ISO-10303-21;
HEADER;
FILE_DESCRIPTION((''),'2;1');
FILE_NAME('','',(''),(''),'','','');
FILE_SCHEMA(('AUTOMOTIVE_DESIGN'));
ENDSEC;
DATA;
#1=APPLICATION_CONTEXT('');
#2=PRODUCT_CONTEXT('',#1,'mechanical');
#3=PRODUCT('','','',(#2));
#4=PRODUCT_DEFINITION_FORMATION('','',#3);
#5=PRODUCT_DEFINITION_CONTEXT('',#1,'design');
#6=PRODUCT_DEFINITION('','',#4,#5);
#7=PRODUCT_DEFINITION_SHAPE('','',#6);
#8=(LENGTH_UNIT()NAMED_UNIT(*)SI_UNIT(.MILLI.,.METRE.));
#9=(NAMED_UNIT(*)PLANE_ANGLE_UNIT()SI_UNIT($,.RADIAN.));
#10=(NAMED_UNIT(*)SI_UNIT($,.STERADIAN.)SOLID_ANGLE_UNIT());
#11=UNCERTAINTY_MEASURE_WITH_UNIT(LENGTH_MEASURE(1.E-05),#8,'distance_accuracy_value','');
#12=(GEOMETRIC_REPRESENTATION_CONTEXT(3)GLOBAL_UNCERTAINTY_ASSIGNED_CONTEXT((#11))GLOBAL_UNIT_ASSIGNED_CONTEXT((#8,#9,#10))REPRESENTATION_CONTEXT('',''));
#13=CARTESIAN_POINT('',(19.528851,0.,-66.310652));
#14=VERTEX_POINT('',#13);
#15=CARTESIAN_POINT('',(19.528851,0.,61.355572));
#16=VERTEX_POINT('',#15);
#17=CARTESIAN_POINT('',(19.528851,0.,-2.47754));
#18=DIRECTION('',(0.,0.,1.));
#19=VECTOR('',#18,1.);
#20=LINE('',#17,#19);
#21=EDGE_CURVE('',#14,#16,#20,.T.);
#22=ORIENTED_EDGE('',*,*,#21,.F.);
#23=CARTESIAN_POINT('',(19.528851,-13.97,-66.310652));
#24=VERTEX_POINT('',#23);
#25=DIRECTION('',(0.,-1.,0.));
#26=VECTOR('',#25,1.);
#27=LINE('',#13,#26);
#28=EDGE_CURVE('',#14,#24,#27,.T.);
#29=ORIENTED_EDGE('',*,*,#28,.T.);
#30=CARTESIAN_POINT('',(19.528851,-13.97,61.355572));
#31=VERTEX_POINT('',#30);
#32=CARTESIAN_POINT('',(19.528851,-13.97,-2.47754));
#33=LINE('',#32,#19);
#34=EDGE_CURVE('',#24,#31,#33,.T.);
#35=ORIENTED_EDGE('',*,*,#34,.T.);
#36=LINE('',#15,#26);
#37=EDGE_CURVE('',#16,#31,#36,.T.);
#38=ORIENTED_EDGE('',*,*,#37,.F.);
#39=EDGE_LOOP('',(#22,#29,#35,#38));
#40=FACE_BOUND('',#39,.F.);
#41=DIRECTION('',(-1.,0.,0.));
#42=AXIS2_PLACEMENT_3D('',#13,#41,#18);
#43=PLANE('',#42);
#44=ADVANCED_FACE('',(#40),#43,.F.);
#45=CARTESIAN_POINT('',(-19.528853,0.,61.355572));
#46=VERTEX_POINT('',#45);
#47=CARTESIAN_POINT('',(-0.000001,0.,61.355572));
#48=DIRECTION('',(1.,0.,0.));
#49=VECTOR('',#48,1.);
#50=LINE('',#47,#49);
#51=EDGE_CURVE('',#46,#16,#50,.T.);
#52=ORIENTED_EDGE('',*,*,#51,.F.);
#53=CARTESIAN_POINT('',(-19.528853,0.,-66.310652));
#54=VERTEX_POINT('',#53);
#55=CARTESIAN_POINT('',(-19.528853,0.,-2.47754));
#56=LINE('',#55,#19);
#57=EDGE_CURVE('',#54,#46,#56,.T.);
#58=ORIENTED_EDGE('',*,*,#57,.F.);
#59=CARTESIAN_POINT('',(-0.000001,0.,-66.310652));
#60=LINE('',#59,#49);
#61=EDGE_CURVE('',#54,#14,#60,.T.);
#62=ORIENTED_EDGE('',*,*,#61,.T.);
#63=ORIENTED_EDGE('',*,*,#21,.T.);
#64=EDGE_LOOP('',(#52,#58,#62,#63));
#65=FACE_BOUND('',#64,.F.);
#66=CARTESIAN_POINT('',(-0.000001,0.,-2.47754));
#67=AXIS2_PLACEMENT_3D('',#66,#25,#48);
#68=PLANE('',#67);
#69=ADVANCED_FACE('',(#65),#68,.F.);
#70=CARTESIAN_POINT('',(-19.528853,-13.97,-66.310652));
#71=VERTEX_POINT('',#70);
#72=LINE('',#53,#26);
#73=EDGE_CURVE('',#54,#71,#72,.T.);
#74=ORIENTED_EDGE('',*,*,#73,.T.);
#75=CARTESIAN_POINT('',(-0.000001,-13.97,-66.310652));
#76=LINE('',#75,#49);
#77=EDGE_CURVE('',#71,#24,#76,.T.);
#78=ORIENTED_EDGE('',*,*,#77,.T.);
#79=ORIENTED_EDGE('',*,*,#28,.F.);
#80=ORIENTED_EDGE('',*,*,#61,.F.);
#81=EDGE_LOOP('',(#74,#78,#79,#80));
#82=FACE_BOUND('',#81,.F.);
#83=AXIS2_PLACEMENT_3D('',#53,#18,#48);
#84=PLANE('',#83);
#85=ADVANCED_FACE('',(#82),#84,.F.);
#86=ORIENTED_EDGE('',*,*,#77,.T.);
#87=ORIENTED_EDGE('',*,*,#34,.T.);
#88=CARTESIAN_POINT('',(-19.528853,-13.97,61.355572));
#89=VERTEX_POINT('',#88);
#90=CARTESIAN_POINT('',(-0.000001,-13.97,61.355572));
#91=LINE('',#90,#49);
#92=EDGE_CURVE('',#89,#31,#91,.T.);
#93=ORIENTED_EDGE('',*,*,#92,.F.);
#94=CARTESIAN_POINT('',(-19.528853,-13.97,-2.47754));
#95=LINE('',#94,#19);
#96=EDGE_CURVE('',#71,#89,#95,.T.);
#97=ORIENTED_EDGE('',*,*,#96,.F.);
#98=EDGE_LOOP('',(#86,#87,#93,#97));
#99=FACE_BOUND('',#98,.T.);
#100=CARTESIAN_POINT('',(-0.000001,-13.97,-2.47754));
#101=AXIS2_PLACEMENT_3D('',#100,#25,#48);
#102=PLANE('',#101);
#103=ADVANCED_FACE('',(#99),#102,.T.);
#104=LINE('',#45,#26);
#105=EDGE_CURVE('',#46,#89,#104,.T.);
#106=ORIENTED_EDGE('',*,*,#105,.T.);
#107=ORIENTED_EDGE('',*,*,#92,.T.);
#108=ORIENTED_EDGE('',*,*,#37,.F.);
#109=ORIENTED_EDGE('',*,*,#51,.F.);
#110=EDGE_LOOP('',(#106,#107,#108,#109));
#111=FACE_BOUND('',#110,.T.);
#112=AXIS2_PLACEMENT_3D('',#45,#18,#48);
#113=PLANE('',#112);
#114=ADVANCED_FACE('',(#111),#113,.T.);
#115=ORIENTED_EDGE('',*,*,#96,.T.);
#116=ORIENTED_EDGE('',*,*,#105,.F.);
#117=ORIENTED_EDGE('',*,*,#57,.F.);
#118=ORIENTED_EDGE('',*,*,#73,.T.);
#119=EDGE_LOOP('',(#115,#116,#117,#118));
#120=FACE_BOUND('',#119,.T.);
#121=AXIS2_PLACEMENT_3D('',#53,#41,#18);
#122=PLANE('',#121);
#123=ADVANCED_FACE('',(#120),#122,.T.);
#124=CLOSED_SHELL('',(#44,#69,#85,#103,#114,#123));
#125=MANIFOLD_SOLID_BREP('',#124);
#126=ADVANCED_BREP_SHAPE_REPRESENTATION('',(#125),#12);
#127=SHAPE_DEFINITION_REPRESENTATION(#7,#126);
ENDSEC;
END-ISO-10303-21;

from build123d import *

# Parameters (mm, degrees)
F0_W     = 39.057704
F0_H     = 127.666224
F1_DEPTH = 13.97


with BuildPart() as f1:
    # F0 (on Front) → F1 (new body)
    with BuildSketch(Plane.XZ):
        with Locations((-1e-06, -2.47754)):
            Rectangle(F0_W, F0_H)
    extrude(amount=F1_DEPTH)


solid = f1.part
